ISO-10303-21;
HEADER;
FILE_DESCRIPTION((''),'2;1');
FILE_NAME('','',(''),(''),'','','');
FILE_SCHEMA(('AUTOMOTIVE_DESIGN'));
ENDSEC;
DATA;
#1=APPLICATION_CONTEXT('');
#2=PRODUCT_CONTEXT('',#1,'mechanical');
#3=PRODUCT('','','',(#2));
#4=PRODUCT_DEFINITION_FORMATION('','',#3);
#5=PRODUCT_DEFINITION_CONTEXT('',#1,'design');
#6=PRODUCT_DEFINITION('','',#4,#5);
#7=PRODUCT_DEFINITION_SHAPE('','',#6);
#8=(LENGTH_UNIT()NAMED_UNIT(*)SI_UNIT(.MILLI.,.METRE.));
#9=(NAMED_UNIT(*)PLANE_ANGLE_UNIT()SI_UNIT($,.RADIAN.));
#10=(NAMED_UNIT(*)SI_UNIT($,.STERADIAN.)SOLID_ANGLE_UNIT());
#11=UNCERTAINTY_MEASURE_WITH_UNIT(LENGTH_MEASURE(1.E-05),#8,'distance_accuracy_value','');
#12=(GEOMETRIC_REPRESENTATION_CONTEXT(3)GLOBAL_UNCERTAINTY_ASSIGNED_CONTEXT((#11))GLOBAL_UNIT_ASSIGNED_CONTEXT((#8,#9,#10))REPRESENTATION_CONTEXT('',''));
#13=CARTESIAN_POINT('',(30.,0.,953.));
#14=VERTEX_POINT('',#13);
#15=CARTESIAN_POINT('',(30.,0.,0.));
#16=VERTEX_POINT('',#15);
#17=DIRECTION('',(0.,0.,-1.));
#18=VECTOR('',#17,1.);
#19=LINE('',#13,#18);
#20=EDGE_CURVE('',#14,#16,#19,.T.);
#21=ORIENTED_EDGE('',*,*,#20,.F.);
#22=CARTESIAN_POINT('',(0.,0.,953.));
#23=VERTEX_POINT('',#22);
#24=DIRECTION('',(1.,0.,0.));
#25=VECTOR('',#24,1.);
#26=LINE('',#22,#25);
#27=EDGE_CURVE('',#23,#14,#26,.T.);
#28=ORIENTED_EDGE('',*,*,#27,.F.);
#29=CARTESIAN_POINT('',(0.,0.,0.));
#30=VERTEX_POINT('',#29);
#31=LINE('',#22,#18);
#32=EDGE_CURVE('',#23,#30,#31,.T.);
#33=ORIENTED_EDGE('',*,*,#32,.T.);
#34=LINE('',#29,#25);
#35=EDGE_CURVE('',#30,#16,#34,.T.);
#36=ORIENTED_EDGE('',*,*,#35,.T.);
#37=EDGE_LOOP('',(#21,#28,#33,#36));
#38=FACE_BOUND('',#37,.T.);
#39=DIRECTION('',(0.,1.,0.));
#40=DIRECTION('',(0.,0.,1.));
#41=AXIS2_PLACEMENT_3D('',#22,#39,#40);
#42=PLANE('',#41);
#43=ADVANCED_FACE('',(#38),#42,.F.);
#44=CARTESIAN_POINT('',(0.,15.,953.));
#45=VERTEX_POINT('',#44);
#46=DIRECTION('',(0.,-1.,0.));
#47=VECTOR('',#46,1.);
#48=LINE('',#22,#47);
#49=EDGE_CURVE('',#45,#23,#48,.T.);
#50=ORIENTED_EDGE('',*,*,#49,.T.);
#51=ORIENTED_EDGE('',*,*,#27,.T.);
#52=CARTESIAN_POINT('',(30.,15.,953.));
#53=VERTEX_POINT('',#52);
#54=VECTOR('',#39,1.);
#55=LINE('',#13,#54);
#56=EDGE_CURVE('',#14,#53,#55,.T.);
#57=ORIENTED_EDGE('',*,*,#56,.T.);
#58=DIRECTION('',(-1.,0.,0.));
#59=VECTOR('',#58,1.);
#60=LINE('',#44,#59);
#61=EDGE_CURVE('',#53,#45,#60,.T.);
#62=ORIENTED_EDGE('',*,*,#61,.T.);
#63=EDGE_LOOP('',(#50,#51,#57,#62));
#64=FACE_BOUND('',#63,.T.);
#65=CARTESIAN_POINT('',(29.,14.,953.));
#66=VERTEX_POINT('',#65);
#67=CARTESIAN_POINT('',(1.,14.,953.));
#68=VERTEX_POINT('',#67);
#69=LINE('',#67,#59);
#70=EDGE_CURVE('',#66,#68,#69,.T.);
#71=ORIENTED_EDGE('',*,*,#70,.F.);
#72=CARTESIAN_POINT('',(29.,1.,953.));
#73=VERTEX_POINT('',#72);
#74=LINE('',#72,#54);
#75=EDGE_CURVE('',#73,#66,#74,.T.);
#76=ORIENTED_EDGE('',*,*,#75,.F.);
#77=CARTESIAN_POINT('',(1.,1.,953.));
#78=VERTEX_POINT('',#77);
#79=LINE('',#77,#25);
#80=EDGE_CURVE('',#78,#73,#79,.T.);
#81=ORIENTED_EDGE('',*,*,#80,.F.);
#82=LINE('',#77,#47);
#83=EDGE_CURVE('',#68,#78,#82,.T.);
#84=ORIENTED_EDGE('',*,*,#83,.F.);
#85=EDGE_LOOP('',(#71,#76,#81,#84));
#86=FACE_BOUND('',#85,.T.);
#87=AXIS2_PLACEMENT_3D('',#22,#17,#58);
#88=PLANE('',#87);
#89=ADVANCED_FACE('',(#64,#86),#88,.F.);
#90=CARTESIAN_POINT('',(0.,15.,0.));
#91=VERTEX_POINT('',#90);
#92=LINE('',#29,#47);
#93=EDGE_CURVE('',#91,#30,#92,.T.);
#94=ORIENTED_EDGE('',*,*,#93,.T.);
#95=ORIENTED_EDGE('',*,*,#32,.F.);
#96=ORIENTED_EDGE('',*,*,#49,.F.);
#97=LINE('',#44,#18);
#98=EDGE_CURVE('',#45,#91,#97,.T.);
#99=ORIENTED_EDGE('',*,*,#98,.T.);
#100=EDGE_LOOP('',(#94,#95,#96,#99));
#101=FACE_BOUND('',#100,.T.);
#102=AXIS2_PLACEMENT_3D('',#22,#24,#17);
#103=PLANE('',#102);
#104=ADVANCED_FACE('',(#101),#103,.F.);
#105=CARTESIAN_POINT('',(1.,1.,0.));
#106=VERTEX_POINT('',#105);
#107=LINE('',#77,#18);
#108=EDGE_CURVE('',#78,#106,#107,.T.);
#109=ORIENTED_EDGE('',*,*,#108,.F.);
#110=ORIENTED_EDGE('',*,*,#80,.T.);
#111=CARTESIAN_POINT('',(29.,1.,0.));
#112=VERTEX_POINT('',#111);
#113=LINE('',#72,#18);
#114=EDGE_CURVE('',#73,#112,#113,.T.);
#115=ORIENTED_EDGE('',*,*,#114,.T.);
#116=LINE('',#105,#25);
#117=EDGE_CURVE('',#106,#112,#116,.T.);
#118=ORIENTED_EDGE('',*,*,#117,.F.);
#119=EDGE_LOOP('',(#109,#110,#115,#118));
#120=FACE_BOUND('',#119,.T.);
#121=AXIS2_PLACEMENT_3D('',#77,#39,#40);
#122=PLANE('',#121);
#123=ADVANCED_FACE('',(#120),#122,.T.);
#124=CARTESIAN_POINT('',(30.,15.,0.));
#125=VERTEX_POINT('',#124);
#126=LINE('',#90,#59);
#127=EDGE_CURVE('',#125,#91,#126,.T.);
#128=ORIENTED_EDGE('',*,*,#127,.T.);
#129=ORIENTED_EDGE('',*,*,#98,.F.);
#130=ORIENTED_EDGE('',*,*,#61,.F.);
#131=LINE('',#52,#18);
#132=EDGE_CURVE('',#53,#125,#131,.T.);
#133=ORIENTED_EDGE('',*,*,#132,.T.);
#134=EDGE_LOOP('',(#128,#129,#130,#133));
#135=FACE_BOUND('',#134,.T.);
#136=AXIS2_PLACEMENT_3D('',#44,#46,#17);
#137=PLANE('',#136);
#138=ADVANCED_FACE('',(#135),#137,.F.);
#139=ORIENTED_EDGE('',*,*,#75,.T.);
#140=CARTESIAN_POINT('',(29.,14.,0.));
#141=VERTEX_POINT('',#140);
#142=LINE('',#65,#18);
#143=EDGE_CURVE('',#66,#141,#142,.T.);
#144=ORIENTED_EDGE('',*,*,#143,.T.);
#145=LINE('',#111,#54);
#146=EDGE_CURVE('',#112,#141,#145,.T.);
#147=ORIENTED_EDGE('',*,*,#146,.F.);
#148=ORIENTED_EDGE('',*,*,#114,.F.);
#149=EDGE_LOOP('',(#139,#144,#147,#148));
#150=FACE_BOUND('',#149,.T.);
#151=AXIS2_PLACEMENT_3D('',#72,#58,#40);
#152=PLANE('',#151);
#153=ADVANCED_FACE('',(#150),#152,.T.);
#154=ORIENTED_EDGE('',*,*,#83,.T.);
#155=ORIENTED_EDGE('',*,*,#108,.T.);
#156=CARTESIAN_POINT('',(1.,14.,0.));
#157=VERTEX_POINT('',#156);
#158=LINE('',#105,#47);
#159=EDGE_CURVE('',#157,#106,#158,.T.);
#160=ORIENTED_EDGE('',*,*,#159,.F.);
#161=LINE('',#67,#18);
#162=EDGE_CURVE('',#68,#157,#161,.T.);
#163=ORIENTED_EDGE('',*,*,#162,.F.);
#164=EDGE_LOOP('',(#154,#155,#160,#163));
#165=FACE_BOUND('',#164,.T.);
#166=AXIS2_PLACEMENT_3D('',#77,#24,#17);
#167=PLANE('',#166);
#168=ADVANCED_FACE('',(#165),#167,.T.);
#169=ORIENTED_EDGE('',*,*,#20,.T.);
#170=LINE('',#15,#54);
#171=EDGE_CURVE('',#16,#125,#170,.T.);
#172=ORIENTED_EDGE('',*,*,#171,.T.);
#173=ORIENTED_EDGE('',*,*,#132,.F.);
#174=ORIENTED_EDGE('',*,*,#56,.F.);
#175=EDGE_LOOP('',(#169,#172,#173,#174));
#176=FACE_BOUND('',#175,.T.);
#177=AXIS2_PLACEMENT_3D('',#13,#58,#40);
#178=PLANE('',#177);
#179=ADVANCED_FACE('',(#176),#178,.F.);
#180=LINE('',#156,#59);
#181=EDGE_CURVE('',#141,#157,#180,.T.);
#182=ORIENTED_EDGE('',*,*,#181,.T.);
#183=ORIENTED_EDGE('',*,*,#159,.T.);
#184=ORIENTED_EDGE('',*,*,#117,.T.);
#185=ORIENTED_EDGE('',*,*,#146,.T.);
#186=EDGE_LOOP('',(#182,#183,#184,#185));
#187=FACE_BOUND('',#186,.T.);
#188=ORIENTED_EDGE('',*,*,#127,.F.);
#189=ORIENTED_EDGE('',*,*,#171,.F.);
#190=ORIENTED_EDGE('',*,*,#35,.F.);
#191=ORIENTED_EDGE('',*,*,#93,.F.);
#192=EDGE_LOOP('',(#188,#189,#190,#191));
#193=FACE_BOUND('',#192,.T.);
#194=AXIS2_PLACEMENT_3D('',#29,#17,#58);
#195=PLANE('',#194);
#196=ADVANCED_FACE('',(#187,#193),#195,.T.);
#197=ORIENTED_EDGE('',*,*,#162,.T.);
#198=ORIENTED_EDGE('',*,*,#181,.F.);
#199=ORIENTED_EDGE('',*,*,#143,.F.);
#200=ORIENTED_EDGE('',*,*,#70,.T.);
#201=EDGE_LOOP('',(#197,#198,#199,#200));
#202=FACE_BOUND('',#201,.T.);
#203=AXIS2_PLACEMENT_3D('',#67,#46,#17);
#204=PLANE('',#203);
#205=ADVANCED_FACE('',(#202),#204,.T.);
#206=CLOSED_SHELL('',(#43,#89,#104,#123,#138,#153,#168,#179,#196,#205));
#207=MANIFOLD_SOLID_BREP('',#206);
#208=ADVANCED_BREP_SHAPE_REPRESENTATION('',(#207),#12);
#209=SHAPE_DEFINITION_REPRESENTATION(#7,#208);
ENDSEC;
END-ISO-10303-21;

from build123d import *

# Parameters (mm, degrees)
SKETCH_1_W      = 30
SKETCH_1_H      = 15
SKETCH_1_W_2    = 28
SKETCH_1_H_2    = 13
EXTRUDE_1_DEPTH = 953


with BuildPart() as part:
    # 草图1 → 凸台-拉伸1 (new body)
    with BuildSketch(Plane.XY):
        with Locations((15, 7.5)):
            Rectangle(SKETCH_1_W, SKETCH_1_H)
        with Locations((15, 7.5)):
            Rectangle(SKETCH_1_W_2, SKETCH_1_H_2, mode=Mode.SUBTRACT)
    extrude(amount=EXTRUDE_1_DEPTH)


solid = part.part
